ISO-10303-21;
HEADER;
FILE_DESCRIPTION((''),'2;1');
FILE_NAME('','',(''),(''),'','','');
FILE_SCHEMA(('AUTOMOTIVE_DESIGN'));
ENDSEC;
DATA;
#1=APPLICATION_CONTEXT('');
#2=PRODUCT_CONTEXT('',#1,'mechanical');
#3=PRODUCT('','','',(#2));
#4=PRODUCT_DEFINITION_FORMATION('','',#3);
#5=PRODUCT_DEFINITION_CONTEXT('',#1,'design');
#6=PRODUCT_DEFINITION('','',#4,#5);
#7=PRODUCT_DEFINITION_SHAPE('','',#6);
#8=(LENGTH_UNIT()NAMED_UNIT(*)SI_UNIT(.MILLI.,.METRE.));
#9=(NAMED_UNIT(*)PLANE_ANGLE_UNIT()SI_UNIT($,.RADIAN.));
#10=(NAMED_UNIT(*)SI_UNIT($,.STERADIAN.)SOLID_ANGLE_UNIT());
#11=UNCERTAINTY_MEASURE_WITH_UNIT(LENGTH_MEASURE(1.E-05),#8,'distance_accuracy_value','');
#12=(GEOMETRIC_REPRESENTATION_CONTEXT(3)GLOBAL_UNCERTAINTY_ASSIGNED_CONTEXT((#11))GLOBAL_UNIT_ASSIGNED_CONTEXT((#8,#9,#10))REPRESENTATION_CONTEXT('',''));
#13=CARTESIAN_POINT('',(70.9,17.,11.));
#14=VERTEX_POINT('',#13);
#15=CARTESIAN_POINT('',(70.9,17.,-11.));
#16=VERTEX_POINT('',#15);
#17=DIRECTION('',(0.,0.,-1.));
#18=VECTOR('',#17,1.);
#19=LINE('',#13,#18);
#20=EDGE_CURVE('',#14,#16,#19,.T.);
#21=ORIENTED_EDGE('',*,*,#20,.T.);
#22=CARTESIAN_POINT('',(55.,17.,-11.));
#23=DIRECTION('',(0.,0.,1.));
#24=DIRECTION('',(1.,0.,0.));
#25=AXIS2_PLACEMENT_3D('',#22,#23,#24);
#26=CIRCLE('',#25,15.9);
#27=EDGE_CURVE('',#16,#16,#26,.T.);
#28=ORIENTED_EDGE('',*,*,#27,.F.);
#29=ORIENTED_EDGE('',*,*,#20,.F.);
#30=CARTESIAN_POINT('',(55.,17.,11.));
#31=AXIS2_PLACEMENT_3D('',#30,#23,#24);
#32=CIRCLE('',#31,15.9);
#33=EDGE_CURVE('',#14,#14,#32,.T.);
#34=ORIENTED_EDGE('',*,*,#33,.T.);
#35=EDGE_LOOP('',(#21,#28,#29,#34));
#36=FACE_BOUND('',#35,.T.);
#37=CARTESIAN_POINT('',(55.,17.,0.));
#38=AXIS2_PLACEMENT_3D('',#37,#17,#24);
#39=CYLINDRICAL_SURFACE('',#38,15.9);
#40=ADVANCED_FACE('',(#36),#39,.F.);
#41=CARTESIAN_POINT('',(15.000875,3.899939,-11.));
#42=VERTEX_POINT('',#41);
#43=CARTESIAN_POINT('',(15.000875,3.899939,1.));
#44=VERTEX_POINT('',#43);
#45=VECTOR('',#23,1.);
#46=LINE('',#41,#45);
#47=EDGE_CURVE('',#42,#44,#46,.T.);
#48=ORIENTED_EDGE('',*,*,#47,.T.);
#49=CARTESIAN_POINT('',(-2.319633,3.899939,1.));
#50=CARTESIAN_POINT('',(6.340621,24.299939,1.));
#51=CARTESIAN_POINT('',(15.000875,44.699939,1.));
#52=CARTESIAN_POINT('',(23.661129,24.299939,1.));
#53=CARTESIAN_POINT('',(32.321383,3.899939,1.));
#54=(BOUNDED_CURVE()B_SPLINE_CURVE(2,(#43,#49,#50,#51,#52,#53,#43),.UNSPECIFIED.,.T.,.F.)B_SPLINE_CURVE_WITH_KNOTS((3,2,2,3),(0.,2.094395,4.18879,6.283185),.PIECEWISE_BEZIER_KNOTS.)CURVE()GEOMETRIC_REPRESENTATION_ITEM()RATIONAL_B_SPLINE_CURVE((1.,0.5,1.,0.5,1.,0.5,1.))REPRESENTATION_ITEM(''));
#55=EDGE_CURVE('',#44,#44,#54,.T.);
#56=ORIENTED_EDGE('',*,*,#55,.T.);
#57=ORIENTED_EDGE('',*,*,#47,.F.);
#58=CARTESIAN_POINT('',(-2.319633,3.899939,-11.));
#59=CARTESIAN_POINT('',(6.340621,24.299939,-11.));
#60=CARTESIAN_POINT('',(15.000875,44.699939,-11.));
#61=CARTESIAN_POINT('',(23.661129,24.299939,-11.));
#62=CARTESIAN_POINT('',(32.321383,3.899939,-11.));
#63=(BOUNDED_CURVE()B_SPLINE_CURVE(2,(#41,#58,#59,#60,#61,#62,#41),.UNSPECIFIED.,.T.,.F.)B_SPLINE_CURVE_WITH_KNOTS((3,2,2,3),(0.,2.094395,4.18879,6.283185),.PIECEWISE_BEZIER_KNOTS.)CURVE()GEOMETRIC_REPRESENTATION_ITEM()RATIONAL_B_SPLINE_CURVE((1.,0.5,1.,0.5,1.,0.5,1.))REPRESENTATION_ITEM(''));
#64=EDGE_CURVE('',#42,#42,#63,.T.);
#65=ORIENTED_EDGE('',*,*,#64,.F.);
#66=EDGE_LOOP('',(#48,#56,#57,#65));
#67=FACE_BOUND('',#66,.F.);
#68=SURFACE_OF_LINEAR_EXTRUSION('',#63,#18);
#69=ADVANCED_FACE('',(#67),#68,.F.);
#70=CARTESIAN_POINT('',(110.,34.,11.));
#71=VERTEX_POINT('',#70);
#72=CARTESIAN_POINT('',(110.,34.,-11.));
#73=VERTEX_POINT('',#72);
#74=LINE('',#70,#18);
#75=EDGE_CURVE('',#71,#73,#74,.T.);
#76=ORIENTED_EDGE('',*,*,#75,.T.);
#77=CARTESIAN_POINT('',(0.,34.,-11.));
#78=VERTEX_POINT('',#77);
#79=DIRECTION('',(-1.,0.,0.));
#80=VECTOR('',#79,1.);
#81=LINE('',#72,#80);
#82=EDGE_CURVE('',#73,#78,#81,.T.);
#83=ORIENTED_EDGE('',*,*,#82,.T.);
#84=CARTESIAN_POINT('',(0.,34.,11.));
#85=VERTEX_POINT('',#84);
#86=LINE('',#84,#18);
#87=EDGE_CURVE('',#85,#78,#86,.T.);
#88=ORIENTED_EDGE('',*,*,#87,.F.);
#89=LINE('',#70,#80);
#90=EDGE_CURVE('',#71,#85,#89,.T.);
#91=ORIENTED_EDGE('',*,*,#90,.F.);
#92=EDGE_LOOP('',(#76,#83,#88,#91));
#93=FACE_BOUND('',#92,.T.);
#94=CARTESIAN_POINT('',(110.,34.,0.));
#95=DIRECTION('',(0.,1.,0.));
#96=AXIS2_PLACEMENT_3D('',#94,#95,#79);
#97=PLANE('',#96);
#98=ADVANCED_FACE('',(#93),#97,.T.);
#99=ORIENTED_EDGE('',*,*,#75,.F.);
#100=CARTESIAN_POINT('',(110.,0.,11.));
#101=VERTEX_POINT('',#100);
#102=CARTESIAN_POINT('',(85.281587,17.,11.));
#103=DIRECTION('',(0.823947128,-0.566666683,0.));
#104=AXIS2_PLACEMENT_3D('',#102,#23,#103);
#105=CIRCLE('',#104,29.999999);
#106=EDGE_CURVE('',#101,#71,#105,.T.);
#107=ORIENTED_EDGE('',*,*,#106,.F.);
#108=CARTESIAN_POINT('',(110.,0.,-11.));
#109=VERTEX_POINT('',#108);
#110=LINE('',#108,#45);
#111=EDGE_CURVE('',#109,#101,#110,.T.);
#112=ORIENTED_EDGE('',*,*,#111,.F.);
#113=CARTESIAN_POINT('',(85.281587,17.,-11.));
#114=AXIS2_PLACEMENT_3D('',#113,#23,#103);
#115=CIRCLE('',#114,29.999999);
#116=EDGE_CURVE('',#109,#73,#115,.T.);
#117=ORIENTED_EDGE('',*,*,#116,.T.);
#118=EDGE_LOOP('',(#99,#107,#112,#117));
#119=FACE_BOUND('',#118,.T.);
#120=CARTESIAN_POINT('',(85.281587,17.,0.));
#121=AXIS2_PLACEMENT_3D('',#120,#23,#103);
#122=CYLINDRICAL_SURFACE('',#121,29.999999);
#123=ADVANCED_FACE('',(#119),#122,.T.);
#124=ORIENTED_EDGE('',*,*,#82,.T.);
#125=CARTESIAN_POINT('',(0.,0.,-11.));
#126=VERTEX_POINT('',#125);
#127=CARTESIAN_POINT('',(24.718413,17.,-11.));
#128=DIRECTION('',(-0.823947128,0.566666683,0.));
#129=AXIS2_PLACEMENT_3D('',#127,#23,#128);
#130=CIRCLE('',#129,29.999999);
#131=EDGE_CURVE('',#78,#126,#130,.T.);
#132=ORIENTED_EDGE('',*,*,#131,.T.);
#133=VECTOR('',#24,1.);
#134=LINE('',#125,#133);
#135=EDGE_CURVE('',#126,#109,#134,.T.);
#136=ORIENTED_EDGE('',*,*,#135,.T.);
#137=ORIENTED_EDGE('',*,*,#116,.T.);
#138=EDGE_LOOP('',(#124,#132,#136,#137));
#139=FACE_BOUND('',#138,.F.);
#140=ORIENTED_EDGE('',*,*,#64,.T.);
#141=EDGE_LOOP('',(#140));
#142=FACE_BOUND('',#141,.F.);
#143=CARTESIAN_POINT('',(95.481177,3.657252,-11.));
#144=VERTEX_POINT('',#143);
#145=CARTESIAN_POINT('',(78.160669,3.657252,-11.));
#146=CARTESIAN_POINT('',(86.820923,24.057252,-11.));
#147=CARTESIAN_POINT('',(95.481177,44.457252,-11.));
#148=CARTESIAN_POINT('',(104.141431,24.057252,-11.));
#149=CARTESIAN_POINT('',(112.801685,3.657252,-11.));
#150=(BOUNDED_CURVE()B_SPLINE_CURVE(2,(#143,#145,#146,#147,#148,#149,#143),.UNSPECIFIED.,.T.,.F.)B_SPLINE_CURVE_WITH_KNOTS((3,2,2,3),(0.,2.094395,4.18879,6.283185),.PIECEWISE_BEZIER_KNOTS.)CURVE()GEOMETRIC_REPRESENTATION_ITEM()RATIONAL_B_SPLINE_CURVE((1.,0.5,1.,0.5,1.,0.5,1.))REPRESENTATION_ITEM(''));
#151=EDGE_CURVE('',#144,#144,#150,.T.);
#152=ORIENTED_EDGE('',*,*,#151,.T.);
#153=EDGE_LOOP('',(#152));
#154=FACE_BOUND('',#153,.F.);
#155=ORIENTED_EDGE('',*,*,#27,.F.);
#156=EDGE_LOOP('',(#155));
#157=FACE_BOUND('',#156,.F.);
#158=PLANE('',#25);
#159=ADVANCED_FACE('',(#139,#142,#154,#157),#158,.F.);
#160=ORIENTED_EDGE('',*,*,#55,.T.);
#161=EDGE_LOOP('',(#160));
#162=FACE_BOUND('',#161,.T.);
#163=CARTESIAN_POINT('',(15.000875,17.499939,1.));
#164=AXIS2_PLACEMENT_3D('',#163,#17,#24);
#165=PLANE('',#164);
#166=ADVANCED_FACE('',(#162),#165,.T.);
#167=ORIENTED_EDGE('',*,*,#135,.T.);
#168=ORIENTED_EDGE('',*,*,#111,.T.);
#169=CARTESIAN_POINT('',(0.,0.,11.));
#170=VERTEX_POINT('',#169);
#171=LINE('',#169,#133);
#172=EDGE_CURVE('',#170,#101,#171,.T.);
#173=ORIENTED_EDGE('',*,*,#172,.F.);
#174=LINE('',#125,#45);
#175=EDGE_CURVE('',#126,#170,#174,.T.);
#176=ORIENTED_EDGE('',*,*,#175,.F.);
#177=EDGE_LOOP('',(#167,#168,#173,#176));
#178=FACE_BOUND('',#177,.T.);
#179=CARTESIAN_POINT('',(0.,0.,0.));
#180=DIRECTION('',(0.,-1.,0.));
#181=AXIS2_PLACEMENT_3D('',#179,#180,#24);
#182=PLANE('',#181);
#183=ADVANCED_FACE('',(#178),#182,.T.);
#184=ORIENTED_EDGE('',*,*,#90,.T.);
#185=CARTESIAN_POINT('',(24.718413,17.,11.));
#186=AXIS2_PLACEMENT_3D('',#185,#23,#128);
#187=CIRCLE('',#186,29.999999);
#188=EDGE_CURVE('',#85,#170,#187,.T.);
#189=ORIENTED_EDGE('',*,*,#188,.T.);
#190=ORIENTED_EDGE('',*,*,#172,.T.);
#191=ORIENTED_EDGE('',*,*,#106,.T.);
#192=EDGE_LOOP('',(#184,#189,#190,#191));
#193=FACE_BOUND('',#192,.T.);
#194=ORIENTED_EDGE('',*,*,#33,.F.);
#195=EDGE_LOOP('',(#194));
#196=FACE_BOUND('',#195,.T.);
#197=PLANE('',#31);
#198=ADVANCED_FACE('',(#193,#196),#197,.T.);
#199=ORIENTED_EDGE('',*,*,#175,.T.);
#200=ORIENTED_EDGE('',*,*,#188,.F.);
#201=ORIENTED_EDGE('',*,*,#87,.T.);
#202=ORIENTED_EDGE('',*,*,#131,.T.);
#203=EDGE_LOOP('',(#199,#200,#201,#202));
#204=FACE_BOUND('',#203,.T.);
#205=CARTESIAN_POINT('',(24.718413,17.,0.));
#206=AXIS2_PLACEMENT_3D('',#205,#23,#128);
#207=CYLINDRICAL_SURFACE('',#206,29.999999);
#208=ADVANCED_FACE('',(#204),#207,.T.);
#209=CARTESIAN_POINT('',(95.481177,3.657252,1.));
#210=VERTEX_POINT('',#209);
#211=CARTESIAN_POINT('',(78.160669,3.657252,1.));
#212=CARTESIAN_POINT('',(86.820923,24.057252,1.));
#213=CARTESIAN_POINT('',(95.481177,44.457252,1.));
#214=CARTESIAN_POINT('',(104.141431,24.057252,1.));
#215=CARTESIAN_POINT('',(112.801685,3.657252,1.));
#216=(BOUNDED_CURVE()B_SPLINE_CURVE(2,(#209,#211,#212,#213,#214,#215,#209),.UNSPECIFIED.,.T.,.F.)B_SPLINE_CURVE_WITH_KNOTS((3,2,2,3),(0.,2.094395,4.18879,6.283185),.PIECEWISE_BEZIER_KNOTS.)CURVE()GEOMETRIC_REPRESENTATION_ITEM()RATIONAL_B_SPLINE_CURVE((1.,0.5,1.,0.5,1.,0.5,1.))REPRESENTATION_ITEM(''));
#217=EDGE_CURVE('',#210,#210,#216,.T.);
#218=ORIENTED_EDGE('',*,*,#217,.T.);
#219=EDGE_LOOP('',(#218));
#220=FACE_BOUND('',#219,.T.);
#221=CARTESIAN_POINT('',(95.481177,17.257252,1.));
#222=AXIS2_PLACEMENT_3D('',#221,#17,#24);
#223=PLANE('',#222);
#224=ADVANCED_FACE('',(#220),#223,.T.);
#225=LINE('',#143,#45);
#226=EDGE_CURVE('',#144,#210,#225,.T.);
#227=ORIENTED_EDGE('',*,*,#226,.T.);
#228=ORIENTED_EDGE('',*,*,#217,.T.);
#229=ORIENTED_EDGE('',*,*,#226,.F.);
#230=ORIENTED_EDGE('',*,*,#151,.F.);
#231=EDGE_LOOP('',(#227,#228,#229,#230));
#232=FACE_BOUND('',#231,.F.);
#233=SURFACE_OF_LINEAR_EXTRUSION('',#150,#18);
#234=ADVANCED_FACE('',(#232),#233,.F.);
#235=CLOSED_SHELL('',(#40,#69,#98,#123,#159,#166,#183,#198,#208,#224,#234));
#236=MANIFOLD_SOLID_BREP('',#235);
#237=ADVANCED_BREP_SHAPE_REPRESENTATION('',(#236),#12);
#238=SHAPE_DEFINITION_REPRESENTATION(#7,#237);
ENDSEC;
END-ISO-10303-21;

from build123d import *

# Parameters (mm, degrees)
F0_R     = 15.9
F1_DEPTH = 11
F3_DEPTH = 12


with BuildPart() as f1:
    # F0 (on Top) → F1 (new body, symmetric)
    with BuildSketch(Plane.XY):
        with BuildLine():
            ThreePointArc((0, 34), (-5.281586, 17), (0, 0))
            Line((0, 0), (110, 0))
            ThreePointArc((110, 0), (115.281586, 17), (110, 34))
            Line((110, 34), (0, 34))
        make_face()
        with Locations((55, 17)):
            Circle(F0_R, mode=Mode.SUBTRACT)
    extrude(amount=F1_DEPTH, both=True)

    # F2 (on face) → F3 (cut)
    with BuildSketch(Plane(origin=(0, 0, -11), x_dir=(1, 0, 0), z_dir=(0, 0, -1))):
        with BuildLine():
            add(Edge.make_bspline(
                [(15.000875, -3.899939), (-2.319633, -3.899939), (6.340621, -24.299939), (15.000875, -44.699939), (23.661129, -24.299939), (32.321383, -3.899939), (15.000875, -3.899939)],
                knots=[0, 0, 0, 2.094395, 2.094395, 4.18879, 4.18879, 6.283185, 6.283185, 6.283185], degree=2, weights=[1, 0.5, 1, 0.5, 1, 0.5, 1]))
        make_face()
        with BuildLine():
            add(Edge.make_bspline(
                [(95.481177, -3.657252), (78.160669, -3.657252), (86.820923, -24.057252), (95.481177, -44.457252), (104.141431, -24.057252), (112.801685, -3.657252), (95.481177, -3.657252)],
                knots=[0, 0, 0, 2.094395, 2.094395, 4.18879, 4.18879, 6.283185, 6.283185, 6.283185], degree=2, weights=[1, 0.5, 1, 0.5, 1, 0.5, 1]))
        make_face()
    extrude(amount=-F3_DEPTH, mode=Mode.SUBTRACT)


solid = f1.part
